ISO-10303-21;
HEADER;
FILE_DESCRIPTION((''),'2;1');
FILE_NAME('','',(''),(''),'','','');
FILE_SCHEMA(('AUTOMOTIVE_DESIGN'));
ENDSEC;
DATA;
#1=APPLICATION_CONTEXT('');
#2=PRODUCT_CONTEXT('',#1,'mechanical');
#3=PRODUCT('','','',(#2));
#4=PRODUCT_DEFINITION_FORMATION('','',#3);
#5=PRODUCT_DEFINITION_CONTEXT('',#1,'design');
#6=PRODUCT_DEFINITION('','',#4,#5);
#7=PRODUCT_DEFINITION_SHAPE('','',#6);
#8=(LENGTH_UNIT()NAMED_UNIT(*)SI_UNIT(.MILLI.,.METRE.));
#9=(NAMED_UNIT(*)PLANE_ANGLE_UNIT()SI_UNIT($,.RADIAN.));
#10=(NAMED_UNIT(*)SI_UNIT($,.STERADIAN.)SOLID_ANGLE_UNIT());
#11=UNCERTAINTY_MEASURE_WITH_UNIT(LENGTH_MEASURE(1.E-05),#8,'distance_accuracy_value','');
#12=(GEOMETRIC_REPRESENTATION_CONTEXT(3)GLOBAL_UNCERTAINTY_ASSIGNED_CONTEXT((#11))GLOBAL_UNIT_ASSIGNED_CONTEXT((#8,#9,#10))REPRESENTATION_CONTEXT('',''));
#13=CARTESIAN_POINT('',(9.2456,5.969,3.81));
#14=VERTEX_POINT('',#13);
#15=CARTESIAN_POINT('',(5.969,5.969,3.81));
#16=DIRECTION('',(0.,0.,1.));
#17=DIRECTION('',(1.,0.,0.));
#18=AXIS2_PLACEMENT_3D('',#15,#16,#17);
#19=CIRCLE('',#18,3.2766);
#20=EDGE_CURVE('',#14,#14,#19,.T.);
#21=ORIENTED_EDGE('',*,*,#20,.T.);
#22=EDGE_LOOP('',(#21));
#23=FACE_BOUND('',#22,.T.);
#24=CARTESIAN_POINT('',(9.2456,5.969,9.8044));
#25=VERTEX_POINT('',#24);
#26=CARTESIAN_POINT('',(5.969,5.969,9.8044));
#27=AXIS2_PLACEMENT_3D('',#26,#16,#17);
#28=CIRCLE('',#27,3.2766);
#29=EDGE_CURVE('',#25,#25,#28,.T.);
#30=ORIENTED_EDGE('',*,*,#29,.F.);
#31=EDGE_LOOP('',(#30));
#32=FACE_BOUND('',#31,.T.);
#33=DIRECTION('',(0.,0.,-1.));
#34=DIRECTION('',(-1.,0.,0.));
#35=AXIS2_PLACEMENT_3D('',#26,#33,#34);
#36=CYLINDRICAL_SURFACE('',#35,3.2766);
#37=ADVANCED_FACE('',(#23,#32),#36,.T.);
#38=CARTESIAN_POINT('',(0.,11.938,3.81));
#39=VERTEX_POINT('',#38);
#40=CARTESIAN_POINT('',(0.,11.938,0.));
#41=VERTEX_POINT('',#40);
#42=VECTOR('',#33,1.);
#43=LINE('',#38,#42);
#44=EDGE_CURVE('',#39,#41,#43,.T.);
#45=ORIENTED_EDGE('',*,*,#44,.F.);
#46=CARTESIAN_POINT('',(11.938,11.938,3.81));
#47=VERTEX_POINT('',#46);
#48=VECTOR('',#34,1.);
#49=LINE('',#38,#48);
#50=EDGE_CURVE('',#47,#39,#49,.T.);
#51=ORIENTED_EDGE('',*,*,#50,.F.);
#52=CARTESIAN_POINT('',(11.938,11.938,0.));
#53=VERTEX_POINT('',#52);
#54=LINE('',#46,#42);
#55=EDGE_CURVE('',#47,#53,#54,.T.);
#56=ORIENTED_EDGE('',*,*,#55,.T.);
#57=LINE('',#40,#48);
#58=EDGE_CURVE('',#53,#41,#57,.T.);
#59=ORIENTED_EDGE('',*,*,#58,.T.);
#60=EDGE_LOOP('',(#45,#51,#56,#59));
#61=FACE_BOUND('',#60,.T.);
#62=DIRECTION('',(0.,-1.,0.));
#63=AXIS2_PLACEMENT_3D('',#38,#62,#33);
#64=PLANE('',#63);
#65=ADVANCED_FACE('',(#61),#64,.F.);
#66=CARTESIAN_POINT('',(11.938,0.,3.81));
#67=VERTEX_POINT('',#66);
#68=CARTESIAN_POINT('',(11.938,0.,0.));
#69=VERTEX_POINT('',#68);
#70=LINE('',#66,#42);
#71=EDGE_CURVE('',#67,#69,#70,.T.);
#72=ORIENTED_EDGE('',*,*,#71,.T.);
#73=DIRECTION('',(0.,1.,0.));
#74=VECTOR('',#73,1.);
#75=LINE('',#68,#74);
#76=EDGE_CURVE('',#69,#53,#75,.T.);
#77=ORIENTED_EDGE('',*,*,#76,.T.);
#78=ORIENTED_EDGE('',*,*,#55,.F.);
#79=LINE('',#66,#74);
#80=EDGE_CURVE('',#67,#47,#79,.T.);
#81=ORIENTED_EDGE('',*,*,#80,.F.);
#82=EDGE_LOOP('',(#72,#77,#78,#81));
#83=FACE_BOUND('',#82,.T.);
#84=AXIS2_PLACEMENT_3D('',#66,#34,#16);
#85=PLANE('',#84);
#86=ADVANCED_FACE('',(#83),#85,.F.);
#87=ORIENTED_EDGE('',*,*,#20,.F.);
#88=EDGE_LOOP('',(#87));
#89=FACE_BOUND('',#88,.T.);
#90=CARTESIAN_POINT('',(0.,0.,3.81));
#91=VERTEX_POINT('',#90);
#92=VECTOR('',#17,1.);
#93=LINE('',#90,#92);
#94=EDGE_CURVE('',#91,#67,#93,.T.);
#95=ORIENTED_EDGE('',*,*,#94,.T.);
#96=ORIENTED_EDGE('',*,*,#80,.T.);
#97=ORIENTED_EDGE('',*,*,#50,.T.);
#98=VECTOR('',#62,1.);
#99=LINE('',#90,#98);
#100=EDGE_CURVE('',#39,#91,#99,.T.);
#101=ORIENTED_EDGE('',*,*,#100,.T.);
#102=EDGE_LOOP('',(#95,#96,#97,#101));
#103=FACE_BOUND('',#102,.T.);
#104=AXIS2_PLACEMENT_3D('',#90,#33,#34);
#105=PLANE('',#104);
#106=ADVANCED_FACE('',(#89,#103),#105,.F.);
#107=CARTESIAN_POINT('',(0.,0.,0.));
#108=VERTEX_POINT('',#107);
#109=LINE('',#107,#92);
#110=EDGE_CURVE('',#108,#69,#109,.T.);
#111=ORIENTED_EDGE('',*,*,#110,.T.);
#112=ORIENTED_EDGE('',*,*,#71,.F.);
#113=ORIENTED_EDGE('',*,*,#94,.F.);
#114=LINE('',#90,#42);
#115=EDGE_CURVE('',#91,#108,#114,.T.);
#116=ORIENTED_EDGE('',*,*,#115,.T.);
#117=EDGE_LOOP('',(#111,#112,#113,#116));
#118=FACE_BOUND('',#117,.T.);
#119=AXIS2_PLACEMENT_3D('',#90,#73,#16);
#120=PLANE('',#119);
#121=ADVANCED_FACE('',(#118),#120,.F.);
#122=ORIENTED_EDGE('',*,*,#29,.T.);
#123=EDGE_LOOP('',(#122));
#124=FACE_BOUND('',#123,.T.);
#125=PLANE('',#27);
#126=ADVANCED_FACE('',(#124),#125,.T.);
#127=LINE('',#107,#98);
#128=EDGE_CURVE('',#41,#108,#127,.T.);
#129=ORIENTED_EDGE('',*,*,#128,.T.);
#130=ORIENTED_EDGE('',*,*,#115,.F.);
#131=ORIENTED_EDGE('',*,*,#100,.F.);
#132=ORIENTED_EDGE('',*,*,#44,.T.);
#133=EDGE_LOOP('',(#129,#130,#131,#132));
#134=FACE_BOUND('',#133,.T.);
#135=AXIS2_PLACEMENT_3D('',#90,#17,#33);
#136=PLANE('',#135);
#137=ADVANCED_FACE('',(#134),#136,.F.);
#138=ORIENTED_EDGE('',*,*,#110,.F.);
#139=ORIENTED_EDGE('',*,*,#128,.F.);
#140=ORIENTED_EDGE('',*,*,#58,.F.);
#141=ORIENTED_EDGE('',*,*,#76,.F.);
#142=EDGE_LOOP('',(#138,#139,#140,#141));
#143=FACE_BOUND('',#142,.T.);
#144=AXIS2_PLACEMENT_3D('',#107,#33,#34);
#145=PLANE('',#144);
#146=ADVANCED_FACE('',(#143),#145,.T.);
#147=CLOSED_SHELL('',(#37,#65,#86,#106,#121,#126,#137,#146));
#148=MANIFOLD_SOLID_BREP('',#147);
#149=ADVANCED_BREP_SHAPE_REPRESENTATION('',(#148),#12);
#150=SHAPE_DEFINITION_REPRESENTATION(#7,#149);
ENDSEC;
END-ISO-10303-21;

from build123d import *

# Parameters (mm, degrees)
SKETCH1_W           = 11.938
SKETCH1_H           = 11.938
BOSS_EXTRUDE1_DEPTH = 3.81
SKETCH2_R           = 3.2766
BOSS_EXTRUDE2_DEPTH = 5.9944


with BuildPart() as part:
    # Sketch1 → Boss-Extrude1 (new body)
    with BuildSketch(Plane.XY):
        with Locations((5.969, 5.969)):
            Rectangle(SKETCH1_W, SKETCH1_H)
    extrude(amount=BOSS_EXTRUDE1_DEPTH)

    # Sketch2 → Boss-Extrude2 (add)
    with BuildSketch(Plane.XY.offset(3.81)):
        with Locations((5.969, 5.969)):
            Circle(SKETCH2_R)
    extrude(amount=BOSS_EXTRUDE2_DEPTH)


solid = part.part
